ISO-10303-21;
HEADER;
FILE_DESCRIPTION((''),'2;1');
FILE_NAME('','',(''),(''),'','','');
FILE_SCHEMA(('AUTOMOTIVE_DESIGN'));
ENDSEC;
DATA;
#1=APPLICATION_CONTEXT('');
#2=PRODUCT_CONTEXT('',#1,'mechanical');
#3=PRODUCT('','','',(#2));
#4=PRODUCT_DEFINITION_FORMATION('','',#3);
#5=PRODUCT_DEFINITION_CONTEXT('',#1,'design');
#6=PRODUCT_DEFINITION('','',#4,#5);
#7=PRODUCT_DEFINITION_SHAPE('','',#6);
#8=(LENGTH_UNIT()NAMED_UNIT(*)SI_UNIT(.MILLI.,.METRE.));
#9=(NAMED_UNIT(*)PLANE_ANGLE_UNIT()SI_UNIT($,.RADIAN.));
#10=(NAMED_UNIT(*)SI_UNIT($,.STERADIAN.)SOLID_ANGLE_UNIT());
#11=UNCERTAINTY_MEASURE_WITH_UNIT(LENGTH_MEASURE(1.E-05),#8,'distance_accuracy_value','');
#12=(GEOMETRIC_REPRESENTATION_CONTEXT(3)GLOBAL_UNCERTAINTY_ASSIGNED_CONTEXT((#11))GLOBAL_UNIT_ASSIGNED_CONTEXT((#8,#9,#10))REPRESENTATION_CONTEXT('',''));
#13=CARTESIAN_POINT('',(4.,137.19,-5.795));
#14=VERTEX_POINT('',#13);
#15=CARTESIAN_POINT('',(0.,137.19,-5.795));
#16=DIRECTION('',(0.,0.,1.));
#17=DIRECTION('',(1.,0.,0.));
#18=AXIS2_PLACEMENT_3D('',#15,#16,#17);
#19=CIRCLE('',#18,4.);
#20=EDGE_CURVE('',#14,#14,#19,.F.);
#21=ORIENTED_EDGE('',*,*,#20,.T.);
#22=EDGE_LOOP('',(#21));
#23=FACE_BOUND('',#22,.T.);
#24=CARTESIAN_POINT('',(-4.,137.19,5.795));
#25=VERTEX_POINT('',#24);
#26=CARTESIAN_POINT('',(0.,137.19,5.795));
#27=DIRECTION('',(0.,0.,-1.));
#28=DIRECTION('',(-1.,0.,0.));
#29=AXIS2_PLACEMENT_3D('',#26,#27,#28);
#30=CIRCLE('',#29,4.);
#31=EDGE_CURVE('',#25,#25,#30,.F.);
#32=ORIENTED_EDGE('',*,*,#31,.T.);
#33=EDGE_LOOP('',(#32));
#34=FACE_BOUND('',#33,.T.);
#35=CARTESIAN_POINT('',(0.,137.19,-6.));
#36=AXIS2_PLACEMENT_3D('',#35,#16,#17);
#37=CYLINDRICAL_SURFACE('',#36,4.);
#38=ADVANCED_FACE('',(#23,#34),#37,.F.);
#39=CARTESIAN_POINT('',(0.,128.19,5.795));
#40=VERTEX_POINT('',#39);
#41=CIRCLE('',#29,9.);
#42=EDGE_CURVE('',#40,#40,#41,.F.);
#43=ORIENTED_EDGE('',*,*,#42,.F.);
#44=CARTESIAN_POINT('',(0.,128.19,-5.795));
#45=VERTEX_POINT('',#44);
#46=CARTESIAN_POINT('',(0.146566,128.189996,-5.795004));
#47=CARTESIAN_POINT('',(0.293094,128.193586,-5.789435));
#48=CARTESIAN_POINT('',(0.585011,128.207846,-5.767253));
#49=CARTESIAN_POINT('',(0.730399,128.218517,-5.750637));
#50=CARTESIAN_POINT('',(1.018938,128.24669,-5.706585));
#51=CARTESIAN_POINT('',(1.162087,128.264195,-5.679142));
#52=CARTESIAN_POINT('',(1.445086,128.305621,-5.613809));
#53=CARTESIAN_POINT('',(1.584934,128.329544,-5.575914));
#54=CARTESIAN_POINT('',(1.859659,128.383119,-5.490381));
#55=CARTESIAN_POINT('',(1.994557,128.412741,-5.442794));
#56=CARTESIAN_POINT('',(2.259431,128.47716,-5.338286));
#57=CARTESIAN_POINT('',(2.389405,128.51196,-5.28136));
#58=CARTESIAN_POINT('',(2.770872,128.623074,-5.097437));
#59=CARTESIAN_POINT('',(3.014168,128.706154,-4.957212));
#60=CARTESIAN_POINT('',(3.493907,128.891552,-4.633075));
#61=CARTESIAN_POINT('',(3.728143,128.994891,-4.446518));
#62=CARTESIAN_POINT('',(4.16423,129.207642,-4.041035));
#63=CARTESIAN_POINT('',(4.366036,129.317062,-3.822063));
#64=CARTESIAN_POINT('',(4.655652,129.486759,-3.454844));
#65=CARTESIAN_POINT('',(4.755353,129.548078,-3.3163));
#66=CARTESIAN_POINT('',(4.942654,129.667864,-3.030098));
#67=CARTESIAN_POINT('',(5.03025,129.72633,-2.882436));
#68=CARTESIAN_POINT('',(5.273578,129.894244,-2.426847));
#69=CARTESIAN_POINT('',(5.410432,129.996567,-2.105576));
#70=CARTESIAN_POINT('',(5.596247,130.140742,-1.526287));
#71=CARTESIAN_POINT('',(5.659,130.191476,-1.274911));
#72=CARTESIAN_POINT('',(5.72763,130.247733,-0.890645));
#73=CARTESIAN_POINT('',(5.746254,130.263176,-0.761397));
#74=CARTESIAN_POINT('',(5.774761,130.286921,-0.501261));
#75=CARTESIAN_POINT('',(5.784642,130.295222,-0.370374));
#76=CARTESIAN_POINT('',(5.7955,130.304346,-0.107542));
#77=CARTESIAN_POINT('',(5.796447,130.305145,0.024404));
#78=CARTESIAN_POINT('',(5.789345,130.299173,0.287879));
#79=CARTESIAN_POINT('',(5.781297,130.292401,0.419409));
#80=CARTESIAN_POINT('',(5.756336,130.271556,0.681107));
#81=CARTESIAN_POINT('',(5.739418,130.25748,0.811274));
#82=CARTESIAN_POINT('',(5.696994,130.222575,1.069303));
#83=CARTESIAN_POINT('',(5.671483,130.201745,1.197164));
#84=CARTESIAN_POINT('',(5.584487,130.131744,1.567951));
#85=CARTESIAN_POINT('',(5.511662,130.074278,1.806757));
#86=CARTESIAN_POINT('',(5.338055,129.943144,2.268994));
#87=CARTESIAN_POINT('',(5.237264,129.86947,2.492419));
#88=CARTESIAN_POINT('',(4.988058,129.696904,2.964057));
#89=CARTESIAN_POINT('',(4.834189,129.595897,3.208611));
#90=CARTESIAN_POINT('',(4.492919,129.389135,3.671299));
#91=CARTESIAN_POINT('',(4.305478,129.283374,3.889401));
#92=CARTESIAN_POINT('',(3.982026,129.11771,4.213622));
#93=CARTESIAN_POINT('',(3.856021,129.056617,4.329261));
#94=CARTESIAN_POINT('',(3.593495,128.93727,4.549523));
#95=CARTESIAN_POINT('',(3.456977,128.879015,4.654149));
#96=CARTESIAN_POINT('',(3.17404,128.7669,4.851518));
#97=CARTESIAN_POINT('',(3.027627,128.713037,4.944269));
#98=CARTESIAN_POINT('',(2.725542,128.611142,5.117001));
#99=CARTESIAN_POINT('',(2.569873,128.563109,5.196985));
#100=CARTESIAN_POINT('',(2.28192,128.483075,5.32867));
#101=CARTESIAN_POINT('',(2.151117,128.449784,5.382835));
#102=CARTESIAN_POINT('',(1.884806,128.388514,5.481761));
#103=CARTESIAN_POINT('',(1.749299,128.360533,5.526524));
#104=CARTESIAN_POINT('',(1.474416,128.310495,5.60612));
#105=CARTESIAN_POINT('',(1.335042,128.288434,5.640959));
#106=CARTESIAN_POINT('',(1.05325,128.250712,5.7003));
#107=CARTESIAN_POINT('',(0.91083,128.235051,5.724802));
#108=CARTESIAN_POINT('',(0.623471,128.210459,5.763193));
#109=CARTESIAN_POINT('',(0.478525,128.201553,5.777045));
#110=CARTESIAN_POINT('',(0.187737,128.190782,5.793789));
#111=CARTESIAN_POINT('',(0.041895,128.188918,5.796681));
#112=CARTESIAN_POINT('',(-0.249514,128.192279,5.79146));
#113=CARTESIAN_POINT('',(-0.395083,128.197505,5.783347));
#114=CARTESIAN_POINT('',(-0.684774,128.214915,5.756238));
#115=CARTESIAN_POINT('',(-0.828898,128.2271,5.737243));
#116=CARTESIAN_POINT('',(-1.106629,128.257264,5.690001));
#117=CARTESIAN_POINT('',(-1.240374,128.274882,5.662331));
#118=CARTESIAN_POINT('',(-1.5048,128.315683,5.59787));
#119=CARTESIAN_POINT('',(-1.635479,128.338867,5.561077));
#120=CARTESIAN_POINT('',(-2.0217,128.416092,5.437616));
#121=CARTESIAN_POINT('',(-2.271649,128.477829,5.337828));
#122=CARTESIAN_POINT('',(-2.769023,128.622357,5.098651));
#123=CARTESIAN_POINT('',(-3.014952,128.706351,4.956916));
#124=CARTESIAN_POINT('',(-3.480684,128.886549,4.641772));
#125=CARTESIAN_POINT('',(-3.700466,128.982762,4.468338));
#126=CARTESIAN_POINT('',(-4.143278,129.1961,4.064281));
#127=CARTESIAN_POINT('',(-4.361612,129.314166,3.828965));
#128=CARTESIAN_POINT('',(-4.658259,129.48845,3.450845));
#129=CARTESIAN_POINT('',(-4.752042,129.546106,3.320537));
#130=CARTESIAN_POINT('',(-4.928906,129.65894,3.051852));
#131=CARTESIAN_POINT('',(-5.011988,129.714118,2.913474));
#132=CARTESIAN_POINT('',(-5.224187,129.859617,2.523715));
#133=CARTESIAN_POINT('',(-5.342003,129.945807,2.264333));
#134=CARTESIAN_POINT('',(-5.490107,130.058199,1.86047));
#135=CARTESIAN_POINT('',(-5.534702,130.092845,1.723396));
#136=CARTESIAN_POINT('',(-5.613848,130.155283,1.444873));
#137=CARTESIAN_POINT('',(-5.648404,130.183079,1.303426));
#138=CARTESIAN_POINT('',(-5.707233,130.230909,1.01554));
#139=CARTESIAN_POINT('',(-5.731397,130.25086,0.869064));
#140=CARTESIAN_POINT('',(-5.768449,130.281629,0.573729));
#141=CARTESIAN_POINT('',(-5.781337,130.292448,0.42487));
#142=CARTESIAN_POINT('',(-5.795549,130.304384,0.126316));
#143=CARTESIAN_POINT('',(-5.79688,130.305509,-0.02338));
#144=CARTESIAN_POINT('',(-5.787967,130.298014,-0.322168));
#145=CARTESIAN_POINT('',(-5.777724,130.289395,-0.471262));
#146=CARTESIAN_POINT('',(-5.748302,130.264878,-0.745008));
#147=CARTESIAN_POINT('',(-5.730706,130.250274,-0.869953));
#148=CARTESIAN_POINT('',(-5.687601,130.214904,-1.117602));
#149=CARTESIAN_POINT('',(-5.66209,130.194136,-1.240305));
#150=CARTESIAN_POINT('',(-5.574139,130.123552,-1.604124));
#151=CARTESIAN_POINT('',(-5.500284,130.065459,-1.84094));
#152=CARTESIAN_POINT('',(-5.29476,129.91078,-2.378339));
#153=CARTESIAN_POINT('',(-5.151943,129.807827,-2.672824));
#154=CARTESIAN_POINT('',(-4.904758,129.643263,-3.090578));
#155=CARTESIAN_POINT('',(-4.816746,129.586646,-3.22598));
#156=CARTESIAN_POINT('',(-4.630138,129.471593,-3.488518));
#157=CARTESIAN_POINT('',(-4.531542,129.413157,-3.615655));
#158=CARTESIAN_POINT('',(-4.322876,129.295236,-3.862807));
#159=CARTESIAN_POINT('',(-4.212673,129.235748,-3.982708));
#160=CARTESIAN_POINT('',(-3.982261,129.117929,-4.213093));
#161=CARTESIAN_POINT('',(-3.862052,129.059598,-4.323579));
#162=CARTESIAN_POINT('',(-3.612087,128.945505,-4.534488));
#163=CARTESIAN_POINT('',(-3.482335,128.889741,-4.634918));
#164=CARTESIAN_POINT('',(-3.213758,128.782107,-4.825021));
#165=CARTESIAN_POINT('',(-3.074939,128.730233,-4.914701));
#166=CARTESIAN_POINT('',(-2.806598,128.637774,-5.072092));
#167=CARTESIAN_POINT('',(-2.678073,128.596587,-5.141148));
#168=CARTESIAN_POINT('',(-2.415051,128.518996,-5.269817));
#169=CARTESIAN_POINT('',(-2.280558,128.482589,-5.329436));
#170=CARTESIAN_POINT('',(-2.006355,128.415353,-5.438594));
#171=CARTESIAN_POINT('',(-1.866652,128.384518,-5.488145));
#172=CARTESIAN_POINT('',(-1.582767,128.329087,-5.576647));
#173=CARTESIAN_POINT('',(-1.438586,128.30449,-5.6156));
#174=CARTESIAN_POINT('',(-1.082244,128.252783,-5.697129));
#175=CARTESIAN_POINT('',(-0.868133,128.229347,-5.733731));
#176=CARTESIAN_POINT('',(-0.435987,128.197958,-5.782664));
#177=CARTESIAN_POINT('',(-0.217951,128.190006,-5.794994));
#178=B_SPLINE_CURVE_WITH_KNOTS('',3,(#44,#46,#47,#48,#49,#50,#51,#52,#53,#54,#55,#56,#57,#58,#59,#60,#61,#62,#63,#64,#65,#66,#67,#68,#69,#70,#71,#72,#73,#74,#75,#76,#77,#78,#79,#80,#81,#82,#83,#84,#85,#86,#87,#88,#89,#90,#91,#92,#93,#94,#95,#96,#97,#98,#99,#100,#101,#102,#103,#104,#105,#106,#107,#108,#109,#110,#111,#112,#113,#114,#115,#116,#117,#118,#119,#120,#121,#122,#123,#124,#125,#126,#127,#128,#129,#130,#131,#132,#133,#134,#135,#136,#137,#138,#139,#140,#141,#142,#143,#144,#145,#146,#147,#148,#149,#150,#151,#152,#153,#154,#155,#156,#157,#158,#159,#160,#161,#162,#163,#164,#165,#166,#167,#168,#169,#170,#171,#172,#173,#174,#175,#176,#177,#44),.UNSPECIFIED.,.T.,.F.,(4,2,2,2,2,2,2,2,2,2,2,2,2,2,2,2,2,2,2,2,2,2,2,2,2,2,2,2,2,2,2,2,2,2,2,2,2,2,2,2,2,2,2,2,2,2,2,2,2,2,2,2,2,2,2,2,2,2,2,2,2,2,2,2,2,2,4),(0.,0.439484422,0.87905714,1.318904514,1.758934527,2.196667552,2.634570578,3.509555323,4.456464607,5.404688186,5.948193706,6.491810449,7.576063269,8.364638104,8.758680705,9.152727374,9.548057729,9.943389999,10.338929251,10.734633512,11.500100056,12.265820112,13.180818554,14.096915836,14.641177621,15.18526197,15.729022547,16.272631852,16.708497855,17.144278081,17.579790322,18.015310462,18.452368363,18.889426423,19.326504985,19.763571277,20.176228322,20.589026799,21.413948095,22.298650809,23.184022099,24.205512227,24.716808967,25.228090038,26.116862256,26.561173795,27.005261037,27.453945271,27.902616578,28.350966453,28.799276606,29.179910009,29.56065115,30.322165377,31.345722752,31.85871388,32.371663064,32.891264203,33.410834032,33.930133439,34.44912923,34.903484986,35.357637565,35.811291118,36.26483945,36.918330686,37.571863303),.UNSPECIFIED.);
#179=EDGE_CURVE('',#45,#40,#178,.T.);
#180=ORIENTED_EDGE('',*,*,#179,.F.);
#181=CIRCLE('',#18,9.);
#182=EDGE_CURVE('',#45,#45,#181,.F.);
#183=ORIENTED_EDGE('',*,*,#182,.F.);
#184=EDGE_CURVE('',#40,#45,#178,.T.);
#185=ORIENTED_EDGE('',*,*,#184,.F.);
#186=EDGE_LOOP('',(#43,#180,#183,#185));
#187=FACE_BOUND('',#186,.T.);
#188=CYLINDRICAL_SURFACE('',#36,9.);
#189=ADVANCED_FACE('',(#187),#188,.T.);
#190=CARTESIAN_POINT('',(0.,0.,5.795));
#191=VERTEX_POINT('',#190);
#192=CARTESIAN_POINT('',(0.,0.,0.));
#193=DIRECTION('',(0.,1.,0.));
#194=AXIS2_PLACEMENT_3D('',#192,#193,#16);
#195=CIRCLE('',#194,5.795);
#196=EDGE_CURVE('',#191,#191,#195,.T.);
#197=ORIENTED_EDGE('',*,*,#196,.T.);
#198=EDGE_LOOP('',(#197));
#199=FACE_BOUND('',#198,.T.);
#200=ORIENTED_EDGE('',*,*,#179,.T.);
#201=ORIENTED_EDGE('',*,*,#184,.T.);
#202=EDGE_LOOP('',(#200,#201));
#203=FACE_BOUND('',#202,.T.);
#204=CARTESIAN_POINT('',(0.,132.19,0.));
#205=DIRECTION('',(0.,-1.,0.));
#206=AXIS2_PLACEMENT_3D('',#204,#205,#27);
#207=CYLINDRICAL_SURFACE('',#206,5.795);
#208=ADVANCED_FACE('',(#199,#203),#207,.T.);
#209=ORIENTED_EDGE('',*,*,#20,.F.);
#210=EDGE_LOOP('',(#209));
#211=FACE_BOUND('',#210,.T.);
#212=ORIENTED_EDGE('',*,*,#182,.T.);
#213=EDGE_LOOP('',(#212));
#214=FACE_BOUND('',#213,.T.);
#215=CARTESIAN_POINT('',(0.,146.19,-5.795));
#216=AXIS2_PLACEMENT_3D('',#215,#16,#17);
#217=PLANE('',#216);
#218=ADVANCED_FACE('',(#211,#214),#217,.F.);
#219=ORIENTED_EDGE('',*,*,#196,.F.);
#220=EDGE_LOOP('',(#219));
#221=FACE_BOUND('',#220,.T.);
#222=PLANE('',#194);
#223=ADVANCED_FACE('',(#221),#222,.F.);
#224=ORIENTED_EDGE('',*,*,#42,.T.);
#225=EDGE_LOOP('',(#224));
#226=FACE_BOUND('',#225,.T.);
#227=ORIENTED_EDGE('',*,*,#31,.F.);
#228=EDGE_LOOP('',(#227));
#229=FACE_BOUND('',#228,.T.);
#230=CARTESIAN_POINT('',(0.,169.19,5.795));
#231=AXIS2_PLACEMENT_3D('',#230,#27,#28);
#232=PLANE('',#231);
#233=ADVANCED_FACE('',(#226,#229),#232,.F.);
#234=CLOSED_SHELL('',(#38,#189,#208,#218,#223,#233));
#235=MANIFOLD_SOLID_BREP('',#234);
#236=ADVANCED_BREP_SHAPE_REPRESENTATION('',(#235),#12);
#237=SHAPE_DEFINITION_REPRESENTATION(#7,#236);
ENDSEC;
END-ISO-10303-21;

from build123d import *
from build123d.topology import SkipClean

# Parameters (mm, degrees)
SKETCH_1_R             = 5.795
EXTRUDE_1_DEPTH        = 132.19
EXTRUDE_1_2_DEPTH      = 6.19
EXTRUDE_1_2_DEPTH_BACK = 6
SKETCH_3_R             = 9
SKETCH_3_R_2           = 4
CUT_EXTRUDE_1_DEPTH    = 169.19
CUT_EXTRUDE_2_DEPTH    = 147.589618092


with BuildPart() as part:
    # 草圖1 → Extrude 1 (new body)
    with BuildSketch(Plane(origin=(0, 0, 0), x_dir=(1, 0, 0), z_dir=(0, 1, 0))):
        with Locations(Location((0, 0, 0), (0, 0, 270))):
            Circle(SKETCH_1_R)
    extrude(amount=EXTRUDE_1_DEPTH)

    # 草圖3 → Extrude 1 2 (add, two sides: drawn at the far end of the back side and taken through both)
    with BuildSketch(Plane.XY.offset(-EXTRUDE_1_2_DEPTH_BACK)):
        with Locations((0, 137.19)):
            Circle(SKETCH_3_R)
        with Locations((0, 137.19)):
            Circle(SKETCH_3_R_2, mode=Mode.SUBTRACT)
    extrude(amount=EXTRUDE_1_2_DEPTH + EXTRUDE_1_2_DEPTH_BACK)

    # 草圖7 → 除料-伸長1 (cut)
    with BuildSketch(Plane.XZ):
        Polygon((0, 5.795), (-10.217691175, 5.795), (-10.217691175, 6.299881628), (9.331279514, 6.299881628), (9.331279514, 5.795), align=None)
    extrude(amount=-CUT_EXTRUDE_1_DEPTH, mode=Mode.SUBTRACT)

    # 草圖8 → 除料-伸長2 (cut, through all)
    with SkipClean():  # the faces are left unmerged after this step: merging them gives an invalid solid
        with BuildSketch(Plane.XZ):
            Polygon((0, -5.795), (-9.78646388, -5.795), (-9.78646388, -6.666737707), (9.307322442, -6.666737707), (9.307322442, -5.795), align=None)
        extrude(amount=-CUT_EXTRUDE_2_DEPTH, mode=Mode.SUBTRACT)


solid = part.part
